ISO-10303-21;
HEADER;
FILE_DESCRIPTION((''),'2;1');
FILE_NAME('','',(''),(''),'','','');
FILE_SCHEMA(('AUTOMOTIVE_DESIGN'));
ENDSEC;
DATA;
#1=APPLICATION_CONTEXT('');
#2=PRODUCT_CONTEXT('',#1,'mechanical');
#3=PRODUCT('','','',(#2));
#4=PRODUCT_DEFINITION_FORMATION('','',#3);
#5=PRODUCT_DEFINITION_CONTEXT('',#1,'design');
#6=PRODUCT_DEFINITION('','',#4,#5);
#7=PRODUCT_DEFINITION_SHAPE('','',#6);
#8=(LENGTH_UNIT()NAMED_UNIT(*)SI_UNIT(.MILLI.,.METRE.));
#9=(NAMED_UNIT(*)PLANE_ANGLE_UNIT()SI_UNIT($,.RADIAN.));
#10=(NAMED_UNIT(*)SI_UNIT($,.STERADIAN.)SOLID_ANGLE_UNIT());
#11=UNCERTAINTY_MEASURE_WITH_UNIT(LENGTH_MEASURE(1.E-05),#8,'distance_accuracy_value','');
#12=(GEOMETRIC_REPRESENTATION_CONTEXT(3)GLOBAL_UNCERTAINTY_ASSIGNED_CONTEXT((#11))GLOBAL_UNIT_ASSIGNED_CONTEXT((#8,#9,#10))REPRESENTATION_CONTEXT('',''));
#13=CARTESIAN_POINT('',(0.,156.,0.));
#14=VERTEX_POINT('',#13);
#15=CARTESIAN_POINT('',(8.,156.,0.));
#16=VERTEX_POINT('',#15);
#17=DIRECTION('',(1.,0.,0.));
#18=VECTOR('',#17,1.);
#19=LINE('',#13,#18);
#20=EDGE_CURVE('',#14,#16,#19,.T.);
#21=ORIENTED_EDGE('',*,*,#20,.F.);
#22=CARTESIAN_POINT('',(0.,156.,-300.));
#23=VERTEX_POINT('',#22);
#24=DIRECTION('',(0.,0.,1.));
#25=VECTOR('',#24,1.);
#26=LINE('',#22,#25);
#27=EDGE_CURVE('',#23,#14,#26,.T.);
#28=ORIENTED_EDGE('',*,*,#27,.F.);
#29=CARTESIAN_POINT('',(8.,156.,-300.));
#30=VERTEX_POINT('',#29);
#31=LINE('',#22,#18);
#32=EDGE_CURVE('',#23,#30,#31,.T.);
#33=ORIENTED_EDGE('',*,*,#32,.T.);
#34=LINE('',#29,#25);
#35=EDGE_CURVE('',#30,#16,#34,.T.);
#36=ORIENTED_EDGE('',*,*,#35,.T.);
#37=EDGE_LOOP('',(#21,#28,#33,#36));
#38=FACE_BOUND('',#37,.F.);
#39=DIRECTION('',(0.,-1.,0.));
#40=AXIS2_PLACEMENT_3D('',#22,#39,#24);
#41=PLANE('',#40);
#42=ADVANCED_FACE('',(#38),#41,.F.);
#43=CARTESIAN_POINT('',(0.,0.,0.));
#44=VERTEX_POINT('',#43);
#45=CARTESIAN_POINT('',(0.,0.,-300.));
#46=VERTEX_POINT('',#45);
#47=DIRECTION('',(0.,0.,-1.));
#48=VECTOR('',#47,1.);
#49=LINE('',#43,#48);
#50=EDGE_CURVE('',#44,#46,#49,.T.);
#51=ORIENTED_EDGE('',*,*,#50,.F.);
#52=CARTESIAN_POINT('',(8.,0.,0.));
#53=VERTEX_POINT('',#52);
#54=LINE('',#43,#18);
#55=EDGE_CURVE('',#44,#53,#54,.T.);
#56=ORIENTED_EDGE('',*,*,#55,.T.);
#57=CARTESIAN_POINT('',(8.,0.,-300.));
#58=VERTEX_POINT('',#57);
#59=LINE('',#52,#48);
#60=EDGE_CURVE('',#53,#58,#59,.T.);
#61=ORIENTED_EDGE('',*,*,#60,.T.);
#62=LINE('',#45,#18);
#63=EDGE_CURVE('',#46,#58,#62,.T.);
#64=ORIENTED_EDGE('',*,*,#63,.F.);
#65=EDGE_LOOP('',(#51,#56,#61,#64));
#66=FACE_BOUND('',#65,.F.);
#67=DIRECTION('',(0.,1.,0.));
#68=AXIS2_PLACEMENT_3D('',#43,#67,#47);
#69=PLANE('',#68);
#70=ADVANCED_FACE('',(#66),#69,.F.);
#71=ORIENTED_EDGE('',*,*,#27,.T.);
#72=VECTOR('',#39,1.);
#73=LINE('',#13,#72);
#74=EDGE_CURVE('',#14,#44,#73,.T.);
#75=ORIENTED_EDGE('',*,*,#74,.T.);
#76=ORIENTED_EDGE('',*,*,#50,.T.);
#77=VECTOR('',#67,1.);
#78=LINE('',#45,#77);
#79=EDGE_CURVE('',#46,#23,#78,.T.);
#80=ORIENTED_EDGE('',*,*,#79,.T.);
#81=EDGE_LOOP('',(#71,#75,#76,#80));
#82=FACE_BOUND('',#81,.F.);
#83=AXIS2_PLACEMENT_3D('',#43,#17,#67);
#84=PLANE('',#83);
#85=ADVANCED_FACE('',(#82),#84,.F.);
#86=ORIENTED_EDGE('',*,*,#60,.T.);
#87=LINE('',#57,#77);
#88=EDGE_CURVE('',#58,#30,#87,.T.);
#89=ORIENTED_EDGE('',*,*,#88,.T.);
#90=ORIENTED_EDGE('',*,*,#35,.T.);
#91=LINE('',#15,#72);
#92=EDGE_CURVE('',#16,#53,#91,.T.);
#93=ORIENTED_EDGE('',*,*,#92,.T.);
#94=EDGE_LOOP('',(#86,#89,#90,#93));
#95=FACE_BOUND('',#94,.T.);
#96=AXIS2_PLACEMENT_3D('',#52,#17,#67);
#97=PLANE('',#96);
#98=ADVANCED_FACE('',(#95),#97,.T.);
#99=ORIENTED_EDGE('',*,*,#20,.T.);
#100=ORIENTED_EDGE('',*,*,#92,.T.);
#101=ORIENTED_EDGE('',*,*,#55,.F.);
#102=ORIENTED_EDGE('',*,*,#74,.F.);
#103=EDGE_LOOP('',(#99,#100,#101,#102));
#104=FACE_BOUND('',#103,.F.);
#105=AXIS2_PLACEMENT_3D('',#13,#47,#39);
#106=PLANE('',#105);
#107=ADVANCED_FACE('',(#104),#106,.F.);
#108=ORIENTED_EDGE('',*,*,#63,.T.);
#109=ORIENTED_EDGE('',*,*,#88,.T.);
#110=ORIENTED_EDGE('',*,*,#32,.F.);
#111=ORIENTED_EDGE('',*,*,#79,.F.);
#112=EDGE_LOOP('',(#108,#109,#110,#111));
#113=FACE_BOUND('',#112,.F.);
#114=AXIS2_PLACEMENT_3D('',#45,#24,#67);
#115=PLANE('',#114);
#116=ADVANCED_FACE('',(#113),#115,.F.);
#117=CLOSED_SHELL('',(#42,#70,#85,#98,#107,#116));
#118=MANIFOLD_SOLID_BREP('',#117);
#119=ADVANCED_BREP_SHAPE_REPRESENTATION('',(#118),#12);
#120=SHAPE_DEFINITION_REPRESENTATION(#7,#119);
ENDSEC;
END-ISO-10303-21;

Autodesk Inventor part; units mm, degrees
ref_plane "YZ Plane" through (0, 0, 0) normal (1, 0, 0) x (0, 1, 0)
ref_plane "XZ Plane" through (0, 0, 0) normal (0, 1, 0) x (-1, 0, 0)
ref_plane "XY Plane" through (0, 0, 0) normal (0, 0, 1) x (1, 0, 0)
sketch "Szkic1" plane through (0, 0, 0) normal (1, 0, 0) x (0, 1, 0)
  point P0 (0, 0)
sketch "Szkic2" plane through (0, 0, 0) normal (1, 0, 0) x (0, 1, 0)
  line L0 (0, 0) -> (0, -300)
  line L1 (0, -300) -> (156, -300)
  line L2 (156, -300) -> (156, 0)
  line L3 (156, 0) -> (0, 0)
  dimension "d0" = 300
  dimension "d1" = 156
  dimension "d2" = 300
extrude "Wyciągnięcie proste1" add sketch "Szkic2" along normal blind 8
properties part number "goradol"
